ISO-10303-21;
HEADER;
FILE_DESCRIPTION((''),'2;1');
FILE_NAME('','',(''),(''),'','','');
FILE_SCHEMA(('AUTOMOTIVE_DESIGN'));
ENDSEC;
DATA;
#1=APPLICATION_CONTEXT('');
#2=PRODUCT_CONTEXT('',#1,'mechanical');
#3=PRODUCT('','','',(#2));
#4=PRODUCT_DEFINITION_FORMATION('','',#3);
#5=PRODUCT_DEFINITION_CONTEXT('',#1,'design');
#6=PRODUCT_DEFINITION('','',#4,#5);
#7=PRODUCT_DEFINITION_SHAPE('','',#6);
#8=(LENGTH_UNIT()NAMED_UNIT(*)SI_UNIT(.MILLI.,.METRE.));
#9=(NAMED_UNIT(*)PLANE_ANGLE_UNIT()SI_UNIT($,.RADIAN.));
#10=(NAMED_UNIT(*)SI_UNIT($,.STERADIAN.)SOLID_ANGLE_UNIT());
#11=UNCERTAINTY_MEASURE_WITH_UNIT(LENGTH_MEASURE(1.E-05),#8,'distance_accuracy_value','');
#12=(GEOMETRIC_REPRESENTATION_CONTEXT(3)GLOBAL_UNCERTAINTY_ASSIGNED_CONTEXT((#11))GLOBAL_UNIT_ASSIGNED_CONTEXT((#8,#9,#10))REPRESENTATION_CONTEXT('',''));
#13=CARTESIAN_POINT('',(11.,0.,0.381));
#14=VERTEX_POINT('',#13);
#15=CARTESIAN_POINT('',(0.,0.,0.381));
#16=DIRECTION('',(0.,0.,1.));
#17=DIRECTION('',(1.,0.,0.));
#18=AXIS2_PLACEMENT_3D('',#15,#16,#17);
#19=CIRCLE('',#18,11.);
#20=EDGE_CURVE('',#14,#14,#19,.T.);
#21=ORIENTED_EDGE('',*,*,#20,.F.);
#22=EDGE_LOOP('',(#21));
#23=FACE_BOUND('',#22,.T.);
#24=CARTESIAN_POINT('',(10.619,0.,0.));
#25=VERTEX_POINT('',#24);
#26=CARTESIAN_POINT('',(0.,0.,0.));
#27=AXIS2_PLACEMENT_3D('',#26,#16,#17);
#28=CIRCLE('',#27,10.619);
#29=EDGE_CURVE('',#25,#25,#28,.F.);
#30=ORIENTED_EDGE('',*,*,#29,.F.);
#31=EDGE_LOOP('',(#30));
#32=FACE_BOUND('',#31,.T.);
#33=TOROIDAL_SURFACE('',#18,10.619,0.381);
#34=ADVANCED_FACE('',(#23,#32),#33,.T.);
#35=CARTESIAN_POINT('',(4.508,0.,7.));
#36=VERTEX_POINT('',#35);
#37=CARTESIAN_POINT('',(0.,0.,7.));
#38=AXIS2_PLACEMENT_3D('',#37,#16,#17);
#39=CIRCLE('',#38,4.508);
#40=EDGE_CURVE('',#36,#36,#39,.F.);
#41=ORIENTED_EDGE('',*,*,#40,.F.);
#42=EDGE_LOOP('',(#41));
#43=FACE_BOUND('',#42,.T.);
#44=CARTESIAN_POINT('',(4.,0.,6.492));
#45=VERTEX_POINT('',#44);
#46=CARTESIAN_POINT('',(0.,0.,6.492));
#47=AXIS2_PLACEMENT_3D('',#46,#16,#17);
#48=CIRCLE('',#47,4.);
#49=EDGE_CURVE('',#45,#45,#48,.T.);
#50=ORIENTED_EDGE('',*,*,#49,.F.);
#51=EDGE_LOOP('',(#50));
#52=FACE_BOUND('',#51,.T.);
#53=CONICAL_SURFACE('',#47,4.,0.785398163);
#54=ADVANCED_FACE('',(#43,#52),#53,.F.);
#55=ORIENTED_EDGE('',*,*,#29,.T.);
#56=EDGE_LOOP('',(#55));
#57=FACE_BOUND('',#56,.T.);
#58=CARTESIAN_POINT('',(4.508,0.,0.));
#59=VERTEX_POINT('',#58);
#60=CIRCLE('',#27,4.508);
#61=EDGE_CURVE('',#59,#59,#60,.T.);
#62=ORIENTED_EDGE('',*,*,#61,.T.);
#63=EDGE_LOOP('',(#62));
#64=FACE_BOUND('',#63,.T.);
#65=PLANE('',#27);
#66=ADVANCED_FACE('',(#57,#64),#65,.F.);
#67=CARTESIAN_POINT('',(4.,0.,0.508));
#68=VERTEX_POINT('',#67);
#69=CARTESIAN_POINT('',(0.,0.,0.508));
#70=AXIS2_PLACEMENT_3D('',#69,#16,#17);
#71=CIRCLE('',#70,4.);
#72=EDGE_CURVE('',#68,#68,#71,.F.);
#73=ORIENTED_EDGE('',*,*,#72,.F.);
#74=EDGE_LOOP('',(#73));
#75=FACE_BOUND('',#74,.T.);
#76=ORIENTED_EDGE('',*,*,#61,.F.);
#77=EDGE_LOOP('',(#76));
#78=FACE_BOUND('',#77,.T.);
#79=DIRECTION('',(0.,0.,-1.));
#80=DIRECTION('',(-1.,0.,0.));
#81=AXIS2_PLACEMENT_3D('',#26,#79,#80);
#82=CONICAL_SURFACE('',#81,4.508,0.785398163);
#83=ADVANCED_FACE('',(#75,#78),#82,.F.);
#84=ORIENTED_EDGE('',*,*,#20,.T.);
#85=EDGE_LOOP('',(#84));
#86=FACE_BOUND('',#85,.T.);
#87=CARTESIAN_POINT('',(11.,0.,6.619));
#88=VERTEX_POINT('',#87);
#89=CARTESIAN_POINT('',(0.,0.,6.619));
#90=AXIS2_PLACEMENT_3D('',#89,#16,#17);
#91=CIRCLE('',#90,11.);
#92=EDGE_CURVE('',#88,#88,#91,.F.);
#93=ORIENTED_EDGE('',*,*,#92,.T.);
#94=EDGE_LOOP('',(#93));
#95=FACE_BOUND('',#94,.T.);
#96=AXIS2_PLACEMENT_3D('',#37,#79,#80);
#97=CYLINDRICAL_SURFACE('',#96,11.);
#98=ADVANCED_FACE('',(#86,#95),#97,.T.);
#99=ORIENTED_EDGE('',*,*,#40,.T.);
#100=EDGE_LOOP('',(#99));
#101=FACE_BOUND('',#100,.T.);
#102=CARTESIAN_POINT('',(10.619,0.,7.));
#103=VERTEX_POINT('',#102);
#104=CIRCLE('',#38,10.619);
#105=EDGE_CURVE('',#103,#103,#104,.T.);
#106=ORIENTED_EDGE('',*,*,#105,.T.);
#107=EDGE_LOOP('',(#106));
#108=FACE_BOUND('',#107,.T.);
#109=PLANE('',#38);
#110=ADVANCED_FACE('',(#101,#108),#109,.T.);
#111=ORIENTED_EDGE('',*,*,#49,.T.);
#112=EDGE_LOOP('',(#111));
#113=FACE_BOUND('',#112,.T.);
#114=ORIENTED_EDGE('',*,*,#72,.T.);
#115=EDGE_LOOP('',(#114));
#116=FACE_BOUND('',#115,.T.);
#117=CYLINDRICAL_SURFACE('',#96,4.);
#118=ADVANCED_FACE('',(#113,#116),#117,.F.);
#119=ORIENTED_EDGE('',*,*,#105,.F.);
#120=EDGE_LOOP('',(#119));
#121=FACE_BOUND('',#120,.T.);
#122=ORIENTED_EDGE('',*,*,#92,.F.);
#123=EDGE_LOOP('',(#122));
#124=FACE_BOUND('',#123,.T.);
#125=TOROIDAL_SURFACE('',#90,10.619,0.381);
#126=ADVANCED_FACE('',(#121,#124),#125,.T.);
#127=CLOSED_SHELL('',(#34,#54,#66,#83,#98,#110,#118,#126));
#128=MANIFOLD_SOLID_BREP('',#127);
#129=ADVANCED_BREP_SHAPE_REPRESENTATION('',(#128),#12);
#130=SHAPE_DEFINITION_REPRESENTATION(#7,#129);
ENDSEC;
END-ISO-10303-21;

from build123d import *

# Parameters (mm, degrees)
SKETCH1_R           = 11
SKETCH1_R_2         = 4
BOSS_EXTRUDE1_DEPTH = 7
FILLET1_R           = 0.381
CHAMFER1_SIZE       = 0.508


with BuildPart() as part:
    # Sketch1 → Boss-Extrude1 (new body)
    with BuildSketch(Plane.XY):
        Circle(SKETCH1_R)
        Circle(SKETCH1_R_2, mode=Mode.SUBTRACT)
    extrude(amount=BOSS_EXTRUDE1_DEPTH)

    # Fillet1
    fillet1_edges = [part.edges().sort_by_distance(p)[0] for p in [
        (-11, 0, 0),
        (-11, 0, 7),
    ]]
    fillet(fillet1_edges, radius=FILLET1_R)

    # Chamfer1
    chamfer1_edges = [part.edges().sort_by_distance(p)[0] for p in [
        (-4, 0, 0),
        (-4, 0, 7),
    ]]
    chamfer(chamfer1_edges, length=CHAMFER1_SIZE)


solid = part.part
